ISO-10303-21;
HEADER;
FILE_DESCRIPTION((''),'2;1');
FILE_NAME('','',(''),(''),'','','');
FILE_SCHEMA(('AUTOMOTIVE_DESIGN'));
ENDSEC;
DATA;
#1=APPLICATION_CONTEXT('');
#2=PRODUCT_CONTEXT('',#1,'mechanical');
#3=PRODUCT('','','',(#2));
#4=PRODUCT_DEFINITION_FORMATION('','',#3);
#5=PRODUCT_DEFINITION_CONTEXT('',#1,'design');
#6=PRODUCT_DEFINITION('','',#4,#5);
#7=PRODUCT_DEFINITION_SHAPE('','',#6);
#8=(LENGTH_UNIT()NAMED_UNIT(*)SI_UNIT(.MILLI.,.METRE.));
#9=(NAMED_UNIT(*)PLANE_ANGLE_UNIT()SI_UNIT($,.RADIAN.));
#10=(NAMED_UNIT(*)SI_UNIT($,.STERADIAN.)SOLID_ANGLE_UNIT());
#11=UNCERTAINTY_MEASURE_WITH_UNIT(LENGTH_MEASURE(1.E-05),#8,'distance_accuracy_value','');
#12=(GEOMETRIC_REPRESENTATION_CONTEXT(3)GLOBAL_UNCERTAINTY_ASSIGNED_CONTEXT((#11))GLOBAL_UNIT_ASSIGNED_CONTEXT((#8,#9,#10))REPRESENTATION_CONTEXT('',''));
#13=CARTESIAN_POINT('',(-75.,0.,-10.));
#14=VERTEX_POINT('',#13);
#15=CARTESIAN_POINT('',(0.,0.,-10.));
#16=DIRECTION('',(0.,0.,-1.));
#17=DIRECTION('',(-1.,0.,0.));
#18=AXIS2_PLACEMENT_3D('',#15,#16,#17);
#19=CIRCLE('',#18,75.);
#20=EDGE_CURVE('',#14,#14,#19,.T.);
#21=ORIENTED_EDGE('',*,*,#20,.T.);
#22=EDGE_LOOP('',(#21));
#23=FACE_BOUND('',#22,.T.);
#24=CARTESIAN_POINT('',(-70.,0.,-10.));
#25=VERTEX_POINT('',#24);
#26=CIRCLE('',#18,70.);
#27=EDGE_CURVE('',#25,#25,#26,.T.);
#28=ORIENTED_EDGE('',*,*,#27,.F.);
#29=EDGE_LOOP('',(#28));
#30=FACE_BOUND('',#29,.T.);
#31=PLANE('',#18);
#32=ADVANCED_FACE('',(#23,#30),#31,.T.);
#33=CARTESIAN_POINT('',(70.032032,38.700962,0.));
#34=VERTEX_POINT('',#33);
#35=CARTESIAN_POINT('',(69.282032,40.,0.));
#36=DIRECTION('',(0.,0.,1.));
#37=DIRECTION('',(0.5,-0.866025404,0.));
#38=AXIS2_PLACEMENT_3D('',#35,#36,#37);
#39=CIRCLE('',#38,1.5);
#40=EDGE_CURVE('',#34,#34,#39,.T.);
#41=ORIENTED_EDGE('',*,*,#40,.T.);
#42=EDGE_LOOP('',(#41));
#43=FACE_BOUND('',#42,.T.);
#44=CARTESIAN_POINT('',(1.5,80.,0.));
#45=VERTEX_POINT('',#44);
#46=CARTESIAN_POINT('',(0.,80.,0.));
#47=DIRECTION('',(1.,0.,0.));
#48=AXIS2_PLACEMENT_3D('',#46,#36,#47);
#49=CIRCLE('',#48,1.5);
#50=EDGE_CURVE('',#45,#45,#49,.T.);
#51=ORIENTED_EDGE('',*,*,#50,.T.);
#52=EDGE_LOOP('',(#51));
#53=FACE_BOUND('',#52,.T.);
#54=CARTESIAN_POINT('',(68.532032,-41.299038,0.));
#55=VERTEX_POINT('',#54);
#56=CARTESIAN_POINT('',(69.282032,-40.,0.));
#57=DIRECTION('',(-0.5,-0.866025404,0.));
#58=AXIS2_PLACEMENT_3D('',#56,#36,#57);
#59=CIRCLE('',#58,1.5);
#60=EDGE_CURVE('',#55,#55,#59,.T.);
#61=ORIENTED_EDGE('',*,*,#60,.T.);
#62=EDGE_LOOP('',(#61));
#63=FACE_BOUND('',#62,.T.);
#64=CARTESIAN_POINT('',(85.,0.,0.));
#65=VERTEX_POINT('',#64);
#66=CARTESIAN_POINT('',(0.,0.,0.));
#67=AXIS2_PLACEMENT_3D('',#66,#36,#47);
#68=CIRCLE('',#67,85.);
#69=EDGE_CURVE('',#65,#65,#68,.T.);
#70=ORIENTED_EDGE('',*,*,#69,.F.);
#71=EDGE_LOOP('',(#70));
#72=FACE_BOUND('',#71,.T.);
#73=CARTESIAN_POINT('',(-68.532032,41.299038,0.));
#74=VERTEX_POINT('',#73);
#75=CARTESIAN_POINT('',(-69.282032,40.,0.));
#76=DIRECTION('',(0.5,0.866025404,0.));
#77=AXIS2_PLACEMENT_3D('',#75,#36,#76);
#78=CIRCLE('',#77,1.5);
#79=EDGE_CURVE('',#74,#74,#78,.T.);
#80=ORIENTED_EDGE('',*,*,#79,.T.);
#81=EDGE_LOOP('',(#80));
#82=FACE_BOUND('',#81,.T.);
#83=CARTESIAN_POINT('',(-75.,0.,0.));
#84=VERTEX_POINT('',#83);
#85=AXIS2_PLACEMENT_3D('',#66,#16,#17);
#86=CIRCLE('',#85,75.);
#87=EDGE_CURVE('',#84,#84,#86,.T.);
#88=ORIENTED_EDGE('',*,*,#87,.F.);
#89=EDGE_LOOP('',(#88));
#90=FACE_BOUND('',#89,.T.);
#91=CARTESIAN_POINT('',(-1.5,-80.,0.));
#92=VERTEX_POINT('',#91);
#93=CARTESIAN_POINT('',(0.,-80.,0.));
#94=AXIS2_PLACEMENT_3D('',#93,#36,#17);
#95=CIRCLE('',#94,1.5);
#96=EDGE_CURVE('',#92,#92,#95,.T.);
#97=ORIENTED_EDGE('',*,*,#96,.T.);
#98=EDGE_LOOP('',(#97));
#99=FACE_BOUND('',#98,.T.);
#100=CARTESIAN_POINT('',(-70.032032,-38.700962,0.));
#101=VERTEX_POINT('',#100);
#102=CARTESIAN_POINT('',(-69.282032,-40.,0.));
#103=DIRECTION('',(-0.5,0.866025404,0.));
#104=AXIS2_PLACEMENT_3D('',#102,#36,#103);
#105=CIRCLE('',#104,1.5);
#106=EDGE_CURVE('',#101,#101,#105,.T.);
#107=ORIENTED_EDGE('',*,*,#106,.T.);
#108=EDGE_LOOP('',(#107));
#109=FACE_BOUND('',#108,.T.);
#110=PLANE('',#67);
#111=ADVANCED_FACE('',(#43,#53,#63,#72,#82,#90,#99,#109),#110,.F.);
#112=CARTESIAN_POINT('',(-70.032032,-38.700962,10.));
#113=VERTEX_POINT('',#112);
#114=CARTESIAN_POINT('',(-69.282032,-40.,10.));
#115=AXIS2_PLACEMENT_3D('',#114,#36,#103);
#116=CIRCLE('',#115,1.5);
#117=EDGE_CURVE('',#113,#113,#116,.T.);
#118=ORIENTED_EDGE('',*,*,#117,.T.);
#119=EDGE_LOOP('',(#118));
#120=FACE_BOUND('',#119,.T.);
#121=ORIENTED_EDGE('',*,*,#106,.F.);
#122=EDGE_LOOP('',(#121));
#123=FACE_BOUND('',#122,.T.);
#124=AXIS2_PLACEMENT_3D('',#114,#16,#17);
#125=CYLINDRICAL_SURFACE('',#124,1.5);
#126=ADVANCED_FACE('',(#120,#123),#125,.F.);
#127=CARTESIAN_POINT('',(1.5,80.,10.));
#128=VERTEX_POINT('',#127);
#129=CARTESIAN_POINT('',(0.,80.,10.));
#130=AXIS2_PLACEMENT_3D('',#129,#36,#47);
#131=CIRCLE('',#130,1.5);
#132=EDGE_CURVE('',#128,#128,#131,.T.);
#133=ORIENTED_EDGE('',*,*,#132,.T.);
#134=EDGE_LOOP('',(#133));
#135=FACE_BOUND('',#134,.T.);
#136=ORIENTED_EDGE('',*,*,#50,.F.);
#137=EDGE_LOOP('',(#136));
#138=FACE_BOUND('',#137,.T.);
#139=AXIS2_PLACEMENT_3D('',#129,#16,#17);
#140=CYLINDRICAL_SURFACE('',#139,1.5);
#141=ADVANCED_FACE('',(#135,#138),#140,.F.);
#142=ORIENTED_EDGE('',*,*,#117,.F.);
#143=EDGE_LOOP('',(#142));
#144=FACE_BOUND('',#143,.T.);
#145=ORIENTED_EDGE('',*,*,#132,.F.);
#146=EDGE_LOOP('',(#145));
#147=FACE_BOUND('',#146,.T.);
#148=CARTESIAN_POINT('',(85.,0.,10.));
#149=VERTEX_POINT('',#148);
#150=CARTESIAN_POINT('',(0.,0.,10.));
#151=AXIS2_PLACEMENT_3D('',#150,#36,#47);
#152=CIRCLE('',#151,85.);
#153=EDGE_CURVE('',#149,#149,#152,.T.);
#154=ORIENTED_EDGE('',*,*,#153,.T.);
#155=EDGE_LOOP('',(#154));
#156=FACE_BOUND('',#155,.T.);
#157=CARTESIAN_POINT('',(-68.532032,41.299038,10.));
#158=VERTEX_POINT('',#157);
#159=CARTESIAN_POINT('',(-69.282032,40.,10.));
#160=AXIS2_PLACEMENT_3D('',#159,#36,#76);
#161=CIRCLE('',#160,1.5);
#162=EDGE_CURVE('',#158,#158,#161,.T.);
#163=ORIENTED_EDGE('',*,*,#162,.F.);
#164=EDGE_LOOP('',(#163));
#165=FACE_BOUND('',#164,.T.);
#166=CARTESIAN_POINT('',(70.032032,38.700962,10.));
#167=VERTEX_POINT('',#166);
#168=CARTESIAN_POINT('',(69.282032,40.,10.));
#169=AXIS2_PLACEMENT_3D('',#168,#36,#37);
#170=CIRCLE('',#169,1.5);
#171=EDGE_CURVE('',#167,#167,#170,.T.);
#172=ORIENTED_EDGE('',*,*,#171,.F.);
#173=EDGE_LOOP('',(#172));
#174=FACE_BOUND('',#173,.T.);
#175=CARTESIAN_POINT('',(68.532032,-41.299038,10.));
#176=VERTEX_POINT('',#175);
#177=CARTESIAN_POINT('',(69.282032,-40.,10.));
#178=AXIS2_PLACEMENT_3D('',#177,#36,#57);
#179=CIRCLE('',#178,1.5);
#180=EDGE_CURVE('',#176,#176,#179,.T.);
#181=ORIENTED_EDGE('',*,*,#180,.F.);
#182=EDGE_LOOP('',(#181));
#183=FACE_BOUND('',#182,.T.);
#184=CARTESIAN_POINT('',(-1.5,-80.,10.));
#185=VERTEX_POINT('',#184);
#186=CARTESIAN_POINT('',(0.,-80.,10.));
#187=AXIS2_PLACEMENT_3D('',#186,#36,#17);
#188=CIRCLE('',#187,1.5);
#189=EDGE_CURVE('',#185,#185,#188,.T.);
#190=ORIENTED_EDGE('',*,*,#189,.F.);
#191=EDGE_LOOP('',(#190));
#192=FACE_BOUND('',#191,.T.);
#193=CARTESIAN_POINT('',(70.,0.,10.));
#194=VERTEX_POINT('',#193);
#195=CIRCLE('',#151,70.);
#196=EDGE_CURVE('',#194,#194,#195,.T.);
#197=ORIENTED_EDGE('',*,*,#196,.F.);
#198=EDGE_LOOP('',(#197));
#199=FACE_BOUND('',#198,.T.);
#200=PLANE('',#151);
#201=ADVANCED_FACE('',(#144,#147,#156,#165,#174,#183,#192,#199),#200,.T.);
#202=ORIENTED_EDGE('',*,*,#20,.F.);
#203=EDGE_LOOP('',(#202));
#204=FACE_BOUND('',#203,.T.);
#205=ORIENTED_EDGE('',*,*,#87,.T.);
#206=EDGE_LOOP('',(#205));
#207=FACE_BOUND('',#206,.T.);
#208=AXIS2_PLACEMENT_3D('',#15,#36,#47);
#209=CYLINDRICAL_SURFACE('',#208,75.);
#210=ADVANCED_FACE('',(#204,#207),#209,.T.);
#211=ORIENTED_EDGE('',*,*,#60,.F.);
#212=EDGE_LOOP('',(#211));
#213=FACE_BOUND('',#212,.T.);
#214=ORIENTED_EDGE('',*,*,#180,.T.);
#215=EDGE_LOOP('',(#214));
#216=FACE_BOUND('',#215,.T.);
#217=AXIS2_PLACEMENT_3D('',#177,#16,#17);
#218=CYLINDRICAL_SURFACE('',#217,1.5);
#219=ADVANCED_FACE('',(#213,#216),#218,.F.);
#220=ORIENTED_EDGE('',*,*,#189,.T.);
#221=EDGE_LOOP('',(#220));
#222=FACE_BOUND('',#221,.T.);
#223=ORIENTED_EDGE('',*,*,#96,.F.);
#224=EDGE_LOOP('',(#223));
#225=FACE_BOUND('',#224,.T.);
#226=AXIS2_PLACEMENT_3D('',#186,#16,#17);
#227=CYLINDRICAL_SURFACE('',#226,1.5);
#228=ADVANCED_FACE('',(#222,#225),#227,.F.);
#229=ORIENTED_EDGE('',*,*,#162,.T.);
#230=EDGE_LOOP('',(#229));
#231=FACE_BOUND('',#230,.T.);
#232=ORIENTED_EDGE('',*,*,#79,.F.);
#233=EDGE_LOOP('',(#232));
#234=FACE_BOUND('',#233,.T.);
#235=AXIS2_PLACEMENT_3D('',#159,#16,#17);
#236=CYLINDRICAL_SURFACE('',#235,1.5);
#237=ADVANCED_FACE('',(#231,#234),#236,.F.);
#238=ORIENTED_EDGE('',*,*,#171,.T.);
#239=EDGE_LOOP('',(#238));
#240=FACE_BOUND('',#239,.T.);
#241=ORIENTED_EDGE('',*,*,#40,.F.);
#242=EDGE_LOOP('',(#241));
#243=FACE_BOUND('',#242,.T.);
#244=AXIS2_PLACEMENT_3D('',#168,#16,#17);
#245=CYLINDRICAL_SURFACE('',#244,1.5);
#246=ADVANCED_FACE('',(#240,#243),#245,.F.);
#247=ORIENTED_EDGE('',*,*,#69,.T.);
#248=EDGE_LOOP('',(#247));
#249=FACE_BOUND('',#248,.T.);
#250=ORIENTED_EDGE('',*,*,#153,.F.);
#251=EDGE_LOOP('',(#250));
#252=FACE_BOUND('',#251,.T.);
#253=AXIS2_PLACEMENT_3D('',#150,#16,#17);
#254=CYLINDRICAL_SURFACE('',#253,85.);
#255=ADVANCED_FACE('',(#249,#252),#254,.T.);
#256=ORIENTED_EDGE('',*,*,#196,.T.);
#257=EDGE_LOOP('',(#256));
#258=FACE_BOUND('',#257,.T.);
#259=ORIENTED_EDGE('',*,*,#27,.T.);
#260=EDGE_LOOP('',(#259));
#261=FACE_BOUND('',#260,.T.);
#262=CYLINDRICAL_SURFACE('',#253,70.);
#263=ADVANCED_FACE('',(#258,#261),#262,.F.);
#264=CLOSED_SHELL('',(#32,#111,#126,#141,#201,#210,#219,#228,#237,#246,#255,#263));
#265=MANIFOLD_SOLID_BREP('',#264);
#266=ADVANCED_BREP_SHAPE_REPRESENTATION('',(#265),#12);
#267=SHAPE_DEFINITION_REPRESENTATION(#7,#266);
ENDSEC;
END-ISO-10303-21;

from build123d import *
from build123d.topology import SkipClean

# Parameters (mm, degrees)
SKETCH1_R           = 85
SKETCH1_R_2         = 70
BOSS_EXTRUDE1_DEPTH = 10
SKETCH2_R           = 1.5
CUT_EXTRUDE1_DEPTH  = 10
CIRPATTERN1_COUNT   = 6
BOSS_EXTRUDE2_START = 10
SKETCH3_R           = 75
SKETCH3_R_2         = 70
BOSS_EXTRUDE2_DEPTH = 10


with BuildPart() as part:
    # Sketch1 → Boss-Extrude1 (new body)
    with BuildSketch(Plane.XY):
        Circle(SKETCH1_R)
        Circle(SKETCH1_R_2, mode=Mode.SUBTRACT)
    extrude(amount=BOSS_EXTRUDE1_DEPTH)

    # Sketch2 → Cut-Extrude1 (cut)
    with BuildSketch(Plane.XY):
        with Locations((0, 80)):
            Circle(SKETCH2_R)
    cut_extrude1 = extrude(amount=CUT_EXTRUDE1_DEPTH, mode=Mode.SUBTRACT)

    # CirPattern1: Cut-Extrude1 ×6 about axis
    cirpattern1_axis = Axis((0, 0, 0), (0, 0, 1))
    for i in range(1, CIRPATTERN1_COUNT):
        add(cut_extrude1.rotate(cirpattern1_axis, i * 360 / CIRPATTERN1_COUNT), mode=Mode.SUBTRACT)

    # Sketch3 → Boss-Extrude2 (add)
    with SkipClean():  # the faces are left unmerged after this step: merging them gives an invalid solid
        with BuildSketch(Plane(origin=(0, 0, 0), x_dir=(-1, 0, 0), z_dir=(0, 0, -1)).offset(BOSS_EXTRUDE2_START)):
            Circle(SKETCH3_R)
            Circle(SKETCH3_R_2, mode=Mode.SUBTRACT)
        extrude(amount=-BOSS_EXTRUDE2_DEPTH)


solid = part.part
